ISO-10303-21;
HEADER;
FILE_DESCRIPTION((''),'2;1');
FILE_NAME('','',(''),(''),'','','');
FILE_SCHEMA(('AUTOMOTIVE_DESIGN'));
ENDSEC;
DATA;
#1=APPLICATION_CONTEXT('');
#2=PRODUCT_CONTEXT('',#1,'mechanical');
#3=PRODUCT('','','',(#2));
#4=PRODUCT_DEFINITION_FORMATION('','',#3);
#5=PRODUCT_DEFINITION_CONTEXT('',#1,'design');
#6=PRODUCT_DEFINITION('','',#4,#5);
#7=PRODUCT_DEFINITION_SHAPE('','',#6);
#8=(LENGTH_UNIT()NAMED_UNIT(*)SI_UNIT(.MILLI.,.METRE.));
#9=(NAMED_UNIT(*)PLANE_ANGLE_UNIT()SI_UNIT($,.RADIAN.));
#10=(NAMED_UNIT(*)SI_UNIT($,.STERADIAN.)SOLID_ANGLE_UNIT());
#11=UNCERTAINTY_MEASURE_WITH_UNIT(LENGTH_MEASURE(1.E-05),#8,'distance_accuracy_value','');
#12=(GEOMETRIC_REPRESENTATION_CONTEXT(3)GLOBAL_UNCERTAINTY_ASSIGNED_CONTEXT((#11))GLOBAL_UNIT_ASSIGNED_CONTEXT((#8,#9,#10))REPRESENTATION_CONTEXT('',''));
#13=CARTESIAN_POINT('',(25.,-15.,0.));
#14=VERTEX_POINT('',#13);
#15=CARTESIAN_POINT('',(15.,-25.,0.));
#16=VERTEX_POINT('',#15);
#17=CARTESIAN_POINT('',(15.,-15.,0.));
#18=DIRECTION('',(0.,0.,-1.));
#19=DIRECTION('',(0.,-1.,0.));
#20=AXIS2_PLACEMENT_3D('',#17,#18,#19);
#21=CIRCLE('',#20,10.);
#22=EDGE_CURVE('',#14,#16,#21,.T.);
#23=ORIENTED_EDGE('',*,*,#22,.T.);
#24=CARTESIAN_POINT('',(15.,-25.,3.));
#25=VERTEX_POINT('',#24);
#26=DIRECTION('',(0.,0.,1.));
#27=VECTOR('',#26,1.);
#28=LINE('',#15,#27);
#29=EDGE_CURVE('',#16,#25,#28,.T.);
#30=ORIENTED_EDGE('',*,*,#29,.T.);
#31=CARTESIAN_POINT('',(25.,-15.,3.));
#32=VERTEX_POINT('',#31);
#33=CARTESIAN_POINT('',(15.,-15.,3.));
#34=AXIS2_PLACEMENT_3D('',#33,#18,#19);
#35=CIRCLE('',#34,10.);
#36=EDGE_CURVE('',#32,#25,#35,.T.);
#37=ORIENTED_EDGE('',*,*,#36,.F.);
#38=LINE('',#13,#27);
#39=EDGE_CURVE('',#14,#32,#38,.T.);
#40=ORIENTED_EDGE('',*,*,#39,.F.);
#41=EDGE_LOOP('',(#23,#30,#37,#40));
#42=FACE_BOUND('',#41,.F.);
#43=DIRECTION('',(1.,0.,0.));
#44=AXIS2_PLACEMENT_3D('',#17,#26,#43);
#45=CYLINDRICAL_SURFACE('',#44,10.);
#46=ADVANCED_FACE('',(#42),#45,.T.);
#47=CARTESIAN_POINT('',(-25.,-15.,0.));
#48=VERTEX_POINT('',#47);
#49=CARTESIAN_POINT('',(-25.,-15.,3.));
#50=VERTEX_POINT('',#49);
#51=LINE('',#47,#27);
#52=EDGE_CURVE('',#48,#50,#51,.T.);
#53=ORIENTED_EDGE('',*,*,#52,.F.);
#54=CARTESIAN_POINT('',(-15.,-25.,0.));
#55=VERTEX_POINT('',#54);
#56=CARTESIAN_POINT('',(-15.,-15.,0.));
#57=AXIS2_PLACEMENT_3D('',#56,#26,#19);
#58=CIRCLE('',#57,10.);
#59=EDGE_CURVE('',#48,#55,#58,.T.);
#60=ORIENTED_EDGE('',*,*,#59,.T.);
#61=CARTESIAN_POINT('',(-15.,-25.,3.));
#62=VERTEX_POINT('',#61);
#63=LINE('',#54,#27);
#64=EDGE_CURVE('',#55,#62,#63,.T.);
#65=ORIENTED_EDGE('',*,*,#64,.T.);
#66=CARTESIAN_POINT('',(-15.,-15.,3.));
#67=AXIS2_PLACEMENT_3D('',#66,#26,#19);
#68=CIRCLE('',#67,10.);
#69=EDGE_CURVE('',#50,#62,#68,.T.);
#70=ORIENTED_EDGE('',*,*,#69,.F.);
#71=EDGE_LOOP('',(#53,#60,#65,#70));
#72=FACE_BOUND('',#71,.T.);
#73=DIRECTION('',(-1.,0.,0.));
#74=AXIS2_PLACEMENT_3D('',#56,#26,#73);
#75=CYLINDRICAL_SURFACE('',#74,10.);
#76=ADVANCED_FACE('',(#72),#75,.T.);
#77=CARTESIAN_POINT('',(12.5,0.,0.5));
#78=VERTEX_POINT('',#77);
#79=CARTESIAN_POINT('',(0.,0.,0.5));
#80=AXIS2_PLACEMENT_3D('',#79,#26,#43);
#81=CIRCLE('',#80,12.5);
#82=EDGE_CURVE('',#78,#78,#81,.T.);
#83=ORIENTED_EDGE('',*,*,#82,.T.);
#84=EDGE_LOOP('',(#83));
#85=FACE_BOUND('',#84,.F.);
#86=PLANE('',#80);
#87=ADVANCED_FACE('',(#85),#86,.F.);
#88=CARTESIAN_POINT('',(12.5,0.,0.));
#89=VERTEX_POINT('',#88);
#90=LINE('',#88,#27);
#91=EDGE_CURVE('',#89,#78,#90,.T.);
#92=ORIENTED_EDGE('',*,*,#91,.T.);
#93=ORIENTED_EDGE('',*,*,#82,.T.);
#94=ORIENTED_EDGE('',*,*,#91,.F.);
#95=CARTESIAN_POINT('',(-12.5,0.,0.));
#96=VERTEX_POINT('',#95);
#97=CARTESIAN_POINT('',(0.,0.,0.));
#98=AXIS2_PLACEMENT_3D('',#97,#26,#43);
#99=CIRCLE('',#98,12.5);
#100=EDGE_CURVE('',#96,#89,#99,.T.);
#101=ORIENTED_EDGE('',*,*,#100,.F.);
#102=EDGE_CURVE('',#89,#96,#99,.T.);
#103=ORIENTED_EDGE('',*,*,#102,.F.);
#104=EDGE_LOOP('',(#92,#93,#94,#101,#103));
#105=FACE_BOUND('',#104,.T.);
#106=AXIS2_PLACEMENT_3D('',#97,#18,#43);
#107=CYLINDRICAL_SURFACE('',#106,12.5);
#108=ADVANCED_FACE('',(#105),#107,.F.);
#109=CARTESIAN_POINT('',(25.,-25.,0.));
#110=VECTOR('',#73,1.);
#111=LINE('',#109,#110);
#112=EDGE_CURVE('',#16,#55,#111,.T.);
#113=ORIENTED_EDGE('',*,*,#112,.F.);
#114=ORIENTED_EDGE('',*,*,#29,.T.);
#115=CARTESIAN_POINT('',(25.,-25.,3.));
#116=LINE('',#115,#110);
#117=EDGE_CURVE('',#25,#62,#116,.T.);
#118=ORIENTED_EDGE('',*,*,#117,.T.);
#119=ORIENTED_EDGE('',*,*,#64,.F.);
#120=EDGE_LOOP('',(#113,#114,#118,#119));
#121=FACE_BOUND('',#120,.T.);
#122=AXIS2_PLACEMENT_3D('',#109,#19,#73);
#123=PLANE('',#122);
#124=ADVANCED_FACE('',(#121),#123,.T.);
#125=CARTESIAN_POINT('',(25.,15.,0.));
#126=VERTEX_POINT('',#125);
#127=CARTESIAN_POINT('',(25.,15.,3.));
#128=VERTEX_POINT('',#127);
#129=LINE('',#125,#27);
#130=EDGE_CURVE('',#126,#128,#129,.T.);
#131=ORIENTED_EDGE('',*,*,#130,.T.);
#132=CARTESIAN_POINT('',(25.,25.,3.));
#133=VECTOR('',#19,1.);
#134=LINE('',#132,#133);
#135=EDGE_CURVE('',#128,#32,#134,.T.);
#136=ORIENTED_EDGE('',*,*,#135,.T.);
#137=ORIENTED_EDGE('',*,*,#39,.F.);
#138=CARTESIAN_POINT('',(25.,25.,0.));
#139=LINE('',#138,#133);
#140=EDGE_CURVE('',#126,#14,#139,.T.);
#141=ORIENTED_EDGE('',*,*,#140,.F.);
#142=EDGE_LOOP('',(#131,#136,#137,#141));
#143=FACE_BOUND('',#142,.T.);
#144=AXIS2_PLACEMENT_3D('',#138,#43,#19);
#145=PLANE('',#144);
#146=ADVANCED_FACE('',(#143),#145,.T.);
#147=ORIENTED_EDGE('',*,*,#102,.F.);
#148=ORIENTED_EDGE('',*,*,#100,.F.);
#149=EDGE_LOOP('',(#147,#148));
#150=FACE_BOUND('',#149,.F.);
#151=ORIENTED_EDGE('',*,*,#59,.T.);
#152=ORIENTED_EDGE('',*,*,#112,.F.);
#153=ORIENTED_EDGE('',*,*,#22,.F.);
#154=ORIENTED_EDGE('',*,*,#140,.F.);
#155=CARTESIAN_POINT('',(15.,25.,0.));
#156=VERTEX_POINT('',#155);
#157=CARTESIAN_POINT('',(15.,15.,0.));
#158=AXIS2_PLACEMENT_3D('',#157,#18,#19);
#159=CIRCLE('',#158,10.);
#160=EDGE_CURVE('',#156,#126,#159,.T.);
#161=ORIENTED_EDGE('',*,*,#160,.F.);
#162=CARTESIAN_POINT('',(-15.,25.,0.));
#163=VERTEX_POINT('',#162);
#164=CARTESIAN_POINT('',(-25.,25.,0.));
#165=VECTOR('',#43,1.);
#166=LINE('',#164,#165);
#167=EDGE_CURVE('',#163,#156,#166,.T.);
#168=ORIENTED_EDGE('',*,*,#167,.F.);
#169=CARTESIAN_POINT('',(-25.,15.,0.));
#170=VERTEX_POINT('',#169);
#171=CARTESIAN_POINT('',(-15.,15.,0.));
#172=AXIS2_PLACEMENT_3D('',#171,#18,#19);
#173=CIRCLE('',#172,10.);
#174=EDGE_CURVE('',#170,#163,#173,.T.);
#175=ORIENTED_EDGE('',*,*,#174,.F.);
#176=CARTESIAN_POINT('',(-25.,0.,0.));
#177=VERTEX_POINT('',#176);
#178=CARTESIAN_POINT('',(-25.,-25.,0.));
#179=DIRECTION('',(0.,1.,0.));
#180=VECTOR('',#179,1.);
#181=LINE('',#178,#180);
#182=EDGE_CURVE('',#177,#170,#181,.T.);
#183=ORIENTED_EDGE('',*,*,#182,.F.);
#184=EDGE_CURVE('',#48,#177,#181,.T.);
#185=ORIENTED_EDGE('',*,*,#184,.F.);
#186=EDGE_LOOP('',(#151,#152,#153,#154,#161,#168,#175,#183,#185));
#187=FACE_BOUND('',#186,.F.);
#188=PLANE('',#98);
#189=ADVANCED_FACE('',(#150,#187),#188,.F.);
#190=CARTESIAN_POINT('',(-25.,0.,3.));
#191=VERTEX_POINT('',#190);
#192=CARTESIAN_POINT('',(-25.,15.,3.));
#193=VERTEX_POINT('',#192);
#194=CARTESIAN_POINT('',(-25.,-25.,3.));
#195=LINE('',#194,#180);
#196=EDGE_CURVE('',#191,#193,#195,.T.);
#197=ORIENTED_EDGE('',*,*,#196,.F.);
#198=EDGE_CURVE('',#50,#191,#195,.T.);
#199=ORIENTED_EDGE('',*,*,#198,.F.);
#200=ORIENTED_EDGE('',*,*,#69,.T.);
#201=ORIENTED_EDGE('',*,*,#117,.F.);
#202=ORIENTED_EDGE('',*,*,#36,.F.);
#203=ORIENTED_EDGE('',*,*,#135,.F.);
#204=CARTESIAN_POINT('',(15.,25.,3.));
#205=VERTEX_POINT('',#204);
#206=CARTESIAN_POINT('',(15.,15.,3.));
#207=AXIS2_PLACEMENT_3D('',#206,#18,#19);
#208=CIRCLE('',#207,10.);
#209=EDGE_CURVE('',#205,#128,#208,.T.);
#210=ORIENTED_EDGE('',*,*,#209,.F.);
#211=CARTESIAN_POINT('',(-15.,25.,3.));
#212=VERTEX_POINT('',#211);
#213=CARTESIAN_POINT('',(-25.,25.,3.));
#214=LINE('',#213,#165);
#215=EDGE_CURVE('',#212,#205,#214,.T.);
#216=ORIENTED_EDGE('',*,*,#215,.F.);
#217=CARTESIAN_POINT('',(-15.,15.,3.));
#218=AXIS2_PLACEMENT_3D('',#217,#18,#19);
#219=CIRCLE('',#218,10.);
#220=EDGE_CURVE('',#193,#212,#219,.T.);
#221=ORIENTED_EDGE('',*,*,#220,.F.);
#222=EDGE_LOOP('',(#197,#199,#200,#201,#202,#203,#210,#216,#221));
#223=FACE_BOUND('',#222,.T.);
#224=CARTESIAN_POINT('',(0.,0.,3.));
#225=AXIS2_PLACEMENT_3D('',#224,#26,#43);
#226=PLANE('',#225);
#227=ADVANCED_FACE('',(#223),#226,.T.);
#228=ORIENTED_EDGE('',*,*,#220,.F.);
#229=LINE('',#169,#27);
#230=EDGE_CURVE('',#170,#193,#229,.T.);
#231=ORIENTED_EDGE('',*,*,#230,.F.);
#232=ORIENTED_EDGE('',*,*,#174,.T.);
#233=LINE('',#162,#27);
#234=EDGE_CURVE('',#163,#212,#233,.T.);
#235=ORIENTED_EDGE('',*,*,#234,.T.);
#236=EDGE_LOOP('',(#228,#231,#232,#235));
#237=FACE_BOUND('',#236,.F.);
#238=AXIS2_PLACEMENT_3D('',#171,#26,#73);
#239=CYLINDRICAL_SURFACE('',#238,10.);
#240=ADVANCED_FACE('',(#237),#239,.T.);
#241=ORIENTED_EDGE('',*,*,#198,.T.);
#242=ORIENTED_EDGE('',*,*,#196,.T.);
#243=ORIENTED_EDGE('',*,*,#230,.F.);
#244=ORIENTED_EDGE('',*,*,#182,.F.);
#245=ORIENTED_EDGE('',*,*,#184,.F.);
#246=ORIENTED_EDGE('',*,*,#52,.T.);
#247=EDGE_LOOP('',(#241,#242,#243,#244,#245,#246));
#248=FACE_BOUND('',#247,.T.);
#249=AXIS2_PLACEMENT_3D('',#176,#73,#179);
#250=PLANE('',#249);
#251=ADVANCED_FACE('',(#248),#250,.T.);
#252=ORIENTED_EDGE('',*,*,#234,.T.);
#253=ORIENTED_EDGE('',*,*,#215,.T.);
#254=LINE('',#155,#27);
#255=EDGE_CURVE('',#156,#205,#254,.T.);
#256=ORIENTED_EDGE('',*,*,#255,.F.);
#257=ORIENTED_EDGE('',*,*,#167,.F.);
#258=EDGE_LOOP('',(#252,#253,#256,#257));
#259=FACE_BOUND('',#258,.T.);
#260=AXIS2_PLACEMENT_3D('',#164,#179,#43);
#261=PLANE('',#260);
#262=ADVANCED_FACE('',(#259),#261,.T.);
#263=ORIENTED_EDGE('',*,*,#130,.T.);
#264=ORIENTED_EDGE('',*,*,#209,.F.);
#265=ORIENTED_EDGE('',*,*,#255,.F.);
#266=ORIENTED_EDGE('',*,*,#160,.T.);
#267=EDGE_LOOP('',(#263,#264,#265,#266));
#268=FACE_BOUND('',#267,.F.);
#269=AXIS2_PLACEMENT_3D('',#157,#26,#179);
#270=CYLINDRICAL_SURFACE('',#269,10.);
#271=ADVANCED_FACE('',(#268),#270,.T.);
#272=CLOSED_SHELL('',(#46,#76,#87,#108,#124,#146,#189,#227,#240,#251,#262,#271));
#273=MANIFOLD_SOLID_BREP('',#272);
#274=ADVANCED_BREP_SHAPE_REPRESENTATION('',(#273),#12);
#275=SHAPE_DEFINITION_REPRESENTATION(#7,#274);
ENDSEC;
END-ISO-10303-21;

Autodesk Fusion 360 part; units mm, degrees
sketch "Sketch1" plane through (0, 0, 0) normal (0, 0, 1) x (1, 0, 0)
  circle A0 centre (0, 0) radius 12.5
  line L0 (0, 0) -> (-25, 0)
  line L1 (-25, 25) -> (25, 25)
  line L2 (25, 25) -> (25, -25)
  line L3 (25, -25) -> (-25, -25)
  line L4 (-25, -25) -> (-25, 25)
  dimension "d1" = 25
extrude "Extrude1" add sketch "Sketch1" along normal blind 3 contours A0 | L1 L2 L3 L4
extrude "Extrude2" cut sketch "Sketch1" along normal blind 0.5 contours A0
fillet "Fillet1" radius 10 4 edges at (25, -25, 1.5) (25, 25, 1.5) (-25, 25, 1.5) (-25, -25, 1.5)
sketch "Sketch2" plane through (0, 0, 0) normal (0, 0, 1) x (1, 0, 0)
